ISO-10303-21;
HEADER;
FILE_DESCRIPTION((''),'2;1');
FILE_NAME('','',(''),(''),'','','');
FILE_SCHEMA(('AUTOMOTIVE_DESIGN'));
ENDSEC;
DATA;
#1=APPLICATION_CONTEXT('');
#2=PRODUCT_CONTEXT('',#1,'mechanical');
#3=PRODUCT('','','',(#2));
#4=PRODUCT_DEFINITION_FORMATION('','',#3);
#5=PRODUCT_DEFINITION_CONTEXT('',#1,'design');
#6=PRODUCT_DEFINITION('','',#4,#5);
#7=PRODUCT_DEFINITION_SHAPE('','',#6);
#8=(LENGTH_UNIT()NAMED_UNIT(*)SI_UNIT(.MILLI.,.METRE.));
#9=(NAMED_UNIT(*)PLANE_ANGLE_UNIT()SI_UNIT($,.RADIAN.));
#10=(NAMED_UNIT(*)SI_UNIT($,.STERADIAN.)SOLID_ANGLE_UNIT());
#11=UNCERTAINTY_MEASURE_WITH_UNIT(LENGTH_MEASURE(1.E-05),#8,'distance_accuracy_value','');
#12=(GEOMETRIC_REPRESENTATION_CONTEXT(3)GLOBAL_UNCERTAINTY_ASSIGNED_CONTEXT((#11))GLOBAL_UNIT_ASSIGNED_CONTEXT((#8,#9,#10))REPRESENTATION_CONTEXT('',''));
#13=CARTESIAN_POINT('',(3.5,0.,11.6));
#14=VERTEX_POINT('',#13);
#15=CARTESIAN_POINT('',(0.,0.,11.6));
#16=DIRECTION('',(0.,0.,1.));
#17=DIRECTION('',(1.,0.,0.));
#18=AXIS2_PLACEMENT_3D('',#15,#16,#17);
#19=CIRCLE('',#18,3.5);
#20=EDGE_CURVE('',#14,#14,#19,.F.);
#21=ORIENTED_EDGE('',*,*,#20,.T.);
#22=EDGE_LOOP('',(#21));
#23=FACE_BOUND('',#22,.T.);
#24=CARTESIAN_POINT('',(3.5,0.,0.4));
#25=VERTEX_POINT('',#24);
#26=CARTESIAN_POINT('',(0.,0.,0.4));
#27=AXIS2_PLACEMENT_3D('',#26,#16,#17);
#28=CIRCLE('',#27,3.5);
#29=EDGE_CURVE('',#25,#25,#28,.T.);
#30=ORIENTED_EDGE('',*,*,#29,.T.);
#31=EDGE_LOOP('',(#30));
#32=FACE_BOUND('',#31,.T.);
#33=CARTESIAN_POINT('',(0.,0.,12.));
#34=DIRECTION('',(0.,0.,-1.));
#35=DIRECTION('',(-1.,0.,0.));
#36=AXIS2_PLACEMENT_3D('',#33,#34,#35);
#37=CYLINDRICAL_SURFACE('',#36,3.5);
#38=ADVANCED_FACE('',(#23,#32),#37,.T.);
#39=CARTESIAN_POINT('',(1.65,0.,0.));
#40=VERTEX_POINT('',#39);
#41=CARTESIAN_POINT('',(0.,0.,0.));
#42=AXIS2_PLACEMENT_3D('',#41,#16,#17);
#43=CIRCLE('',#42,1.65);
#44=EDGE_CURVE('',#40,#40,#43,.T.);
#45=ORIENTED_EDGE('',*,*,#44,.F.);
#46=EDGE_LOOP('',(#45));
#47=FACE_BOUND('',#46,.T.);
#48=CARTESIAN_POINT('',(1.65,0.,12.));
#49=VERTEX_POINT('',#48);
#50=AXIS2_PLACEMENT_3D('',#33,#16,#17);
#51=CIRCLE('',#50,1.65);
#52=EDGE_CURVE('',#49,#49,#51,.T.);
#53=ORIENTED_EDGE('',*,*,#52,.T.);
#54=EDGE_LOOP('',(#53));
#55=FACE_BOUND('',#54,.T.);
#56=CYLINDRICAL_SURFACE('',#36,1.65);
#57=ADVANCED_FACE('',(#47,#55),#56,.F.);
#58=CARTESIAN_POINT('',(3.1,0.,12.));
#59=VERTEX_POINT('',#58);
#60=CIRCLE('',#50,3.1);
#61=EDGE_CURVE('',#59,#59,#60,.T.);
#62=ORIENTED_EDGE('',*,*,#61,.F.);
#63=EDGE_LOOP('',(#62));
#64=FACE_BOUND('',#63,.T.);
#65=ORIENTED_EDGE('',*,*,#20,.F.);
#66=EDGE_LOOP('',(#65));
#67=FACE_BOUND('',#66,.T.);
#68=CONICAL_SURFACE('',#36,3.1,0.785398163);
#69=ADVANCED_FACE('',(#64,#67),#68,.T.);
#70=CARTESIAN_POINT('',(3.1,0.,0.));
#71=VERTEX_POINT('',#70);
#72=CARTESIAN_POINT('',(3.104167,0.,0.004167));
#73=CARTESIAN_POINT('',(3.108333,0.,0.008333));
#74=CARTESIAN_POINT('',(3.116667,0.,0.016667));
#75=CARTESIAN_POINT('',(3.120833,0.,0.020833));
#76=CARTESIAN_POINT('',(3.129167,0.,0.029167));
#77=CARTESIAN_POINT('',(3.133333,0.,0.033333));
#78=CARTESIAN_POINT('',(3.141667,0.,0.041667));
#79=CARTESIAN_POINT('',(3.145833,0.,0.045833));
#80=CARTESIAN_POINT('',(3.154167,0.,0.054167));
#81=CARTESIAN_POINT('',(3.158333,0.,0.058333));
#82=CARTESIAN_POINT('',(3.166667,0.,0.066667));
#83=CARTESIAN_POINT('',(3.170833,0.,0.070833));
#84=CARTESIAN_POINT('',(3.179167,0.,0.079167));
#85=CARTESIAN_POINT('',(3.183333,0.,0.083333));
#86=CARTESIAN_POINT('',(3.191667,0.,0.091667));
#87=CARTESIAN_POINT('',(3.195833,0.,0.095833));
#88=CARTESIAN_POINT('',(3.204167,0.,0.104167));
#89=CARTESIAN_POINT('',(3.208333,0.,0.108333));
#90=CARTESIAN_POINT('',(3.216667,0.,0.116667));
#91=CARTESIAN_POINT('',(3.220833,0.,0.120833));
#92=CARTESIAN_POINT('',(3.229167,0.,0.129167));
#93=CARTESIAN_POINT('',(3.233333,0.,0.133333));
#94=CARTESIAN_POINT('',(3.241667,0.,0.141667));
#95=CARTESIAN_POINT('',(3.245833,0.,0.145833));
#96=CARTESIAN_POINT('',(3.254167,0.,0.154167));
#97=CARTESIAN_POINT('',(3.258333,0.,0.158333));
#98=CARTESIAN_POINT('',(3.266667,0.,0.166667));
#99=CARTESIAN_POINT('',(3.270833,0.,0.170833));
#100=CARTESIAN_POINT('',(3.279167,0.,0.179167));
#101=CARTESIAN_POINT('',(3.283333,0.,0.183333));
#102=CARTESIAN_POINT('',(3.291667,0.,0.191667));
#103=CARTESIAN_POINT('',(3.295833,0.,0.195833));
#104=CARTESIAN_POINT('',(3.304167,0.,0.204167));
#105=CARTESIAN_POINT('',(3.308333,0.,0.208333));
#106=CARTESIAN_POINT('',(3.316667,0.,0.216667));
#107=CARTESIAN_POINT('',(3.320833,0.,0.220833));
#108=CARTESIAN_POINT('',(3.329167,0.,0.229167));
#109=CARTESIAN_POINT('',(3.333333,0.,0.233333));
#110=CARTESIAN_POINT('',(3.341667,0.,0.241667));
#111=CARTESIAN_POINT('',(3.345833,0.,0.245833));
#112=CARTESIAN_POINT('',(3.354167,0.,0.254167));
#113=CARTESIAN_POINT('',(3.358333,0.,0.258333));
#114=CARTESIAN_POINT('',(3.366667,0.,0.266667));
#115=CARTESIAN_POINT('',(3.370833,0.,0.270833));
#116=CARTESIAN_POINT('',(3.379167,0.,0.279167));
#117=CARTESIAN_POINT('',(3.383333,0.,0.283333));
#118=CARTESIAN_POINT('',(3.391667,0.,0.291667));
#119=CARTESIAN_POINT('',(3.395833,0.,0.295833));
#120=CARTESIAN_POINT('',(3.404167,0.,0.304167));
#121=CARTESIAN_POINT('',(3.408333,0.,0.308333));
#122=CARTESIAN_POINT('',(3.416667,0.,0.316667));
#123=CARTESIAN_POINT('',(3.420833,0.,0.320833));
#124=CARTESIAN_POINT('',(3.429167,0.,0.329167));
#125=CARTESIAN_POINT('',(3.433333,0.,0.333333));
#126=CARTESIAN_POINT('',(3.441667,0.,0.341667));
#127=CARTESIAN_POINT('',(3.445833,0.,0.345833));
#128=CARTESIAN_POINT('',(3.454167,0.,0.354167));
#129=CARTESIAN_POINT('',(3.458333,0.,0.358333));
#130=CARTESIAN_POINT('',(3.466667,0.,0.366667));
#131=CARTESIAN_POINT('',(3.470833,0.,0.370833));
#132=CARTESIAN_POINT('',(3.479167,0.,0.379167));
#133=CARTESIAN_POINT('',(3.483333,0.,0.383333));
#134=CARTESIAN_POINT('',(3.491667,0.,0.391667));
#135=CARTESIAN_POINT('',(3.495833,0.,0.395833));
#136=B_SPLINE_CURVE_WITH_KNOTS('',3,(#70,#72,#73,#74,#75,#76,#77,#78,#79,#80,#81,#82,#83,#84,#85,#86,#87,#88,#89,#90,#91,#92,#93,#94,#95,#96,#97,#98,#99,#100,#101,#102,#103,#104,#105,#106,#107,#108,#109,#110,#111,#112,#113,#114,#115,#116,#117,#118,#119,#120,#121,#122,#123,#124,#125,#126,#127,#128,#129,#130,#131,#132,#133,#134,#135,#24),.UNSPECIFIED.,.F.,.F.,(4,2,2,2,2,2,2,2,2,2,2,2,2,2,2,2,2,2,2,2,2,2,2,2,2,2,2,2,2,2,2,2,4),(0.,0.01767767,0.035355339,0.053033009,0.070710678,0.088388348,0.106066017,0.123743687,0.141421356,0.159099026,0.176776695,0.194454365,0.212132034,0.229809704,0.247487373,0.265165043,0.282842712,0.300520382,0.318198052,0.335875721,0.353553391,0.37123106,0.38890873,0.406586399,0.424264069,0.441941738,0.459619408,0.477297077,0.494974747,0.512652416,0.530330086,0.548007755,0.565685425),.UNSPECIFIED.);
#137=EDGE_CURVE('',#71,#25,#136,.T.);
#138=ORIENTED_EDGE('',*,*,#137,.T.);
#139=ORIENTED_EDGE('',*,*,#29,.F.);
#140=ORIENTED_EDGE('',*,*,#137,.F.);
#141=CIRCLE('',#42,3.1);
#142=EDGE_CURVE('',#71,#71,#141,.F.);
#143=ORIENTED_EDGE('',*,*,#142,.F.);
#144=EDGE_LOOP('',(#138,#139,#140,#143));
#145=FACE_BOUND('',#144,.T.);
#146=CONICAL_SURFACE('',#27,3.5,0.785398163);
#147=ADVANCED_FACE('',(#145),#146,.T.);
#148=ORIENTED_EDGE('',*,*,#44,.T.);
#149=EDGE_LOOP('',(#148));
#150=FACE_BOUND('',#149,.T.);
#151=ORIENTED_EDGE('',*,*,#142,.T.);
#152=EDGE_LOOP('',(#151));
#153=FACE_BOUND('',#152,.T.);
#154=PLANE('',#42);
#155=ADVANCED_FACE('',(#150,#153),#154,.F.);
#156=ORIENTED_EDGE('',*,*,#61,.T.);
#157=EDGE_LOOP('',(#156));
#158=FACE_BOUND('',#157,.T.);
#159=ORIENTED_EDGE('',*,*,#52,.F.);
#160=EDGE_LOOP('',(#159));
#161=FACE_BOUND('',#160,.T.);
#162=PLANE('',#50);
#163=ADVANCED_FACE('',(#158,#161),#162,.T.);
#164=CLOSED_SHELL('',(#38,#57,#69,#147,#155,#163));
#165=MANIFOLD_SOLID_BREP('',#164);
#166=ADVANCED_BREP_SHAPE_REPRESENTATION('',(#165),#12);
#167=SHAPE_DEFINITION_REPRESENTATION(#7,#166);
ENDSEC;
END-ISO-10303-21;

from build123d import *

# Parameters (mm, degrees)
SKETCH_1_R      = 3.5
SKETCH_1_R_2    = 1.65
EXTRUDE_1_DEPTH = 12
CHAMFER_1_SIZE  = 0.4


with BuildPart() as part:
    # 草图1 → 凸台-拉伸1 (new body)
    with BuildSketch(Plane.XY):
        Circle(SKETCH_1_R)
        Circle(SKETCH_1_R_2, mode=Mode.SUBTRACT)
    extrude(amount=EXTRUDE_1_DEPTH)

    # 倒角1
    chamfer_1_edges = [part.edges().sort_by_distance(p)[0] for p in [
        (-3.5, 0, 0),
        (-3.5, 0, 12),
    ]]
    chamfer(chamfer_1_edges, length=CHAMFER_1_SIZE)


solid = part.part
